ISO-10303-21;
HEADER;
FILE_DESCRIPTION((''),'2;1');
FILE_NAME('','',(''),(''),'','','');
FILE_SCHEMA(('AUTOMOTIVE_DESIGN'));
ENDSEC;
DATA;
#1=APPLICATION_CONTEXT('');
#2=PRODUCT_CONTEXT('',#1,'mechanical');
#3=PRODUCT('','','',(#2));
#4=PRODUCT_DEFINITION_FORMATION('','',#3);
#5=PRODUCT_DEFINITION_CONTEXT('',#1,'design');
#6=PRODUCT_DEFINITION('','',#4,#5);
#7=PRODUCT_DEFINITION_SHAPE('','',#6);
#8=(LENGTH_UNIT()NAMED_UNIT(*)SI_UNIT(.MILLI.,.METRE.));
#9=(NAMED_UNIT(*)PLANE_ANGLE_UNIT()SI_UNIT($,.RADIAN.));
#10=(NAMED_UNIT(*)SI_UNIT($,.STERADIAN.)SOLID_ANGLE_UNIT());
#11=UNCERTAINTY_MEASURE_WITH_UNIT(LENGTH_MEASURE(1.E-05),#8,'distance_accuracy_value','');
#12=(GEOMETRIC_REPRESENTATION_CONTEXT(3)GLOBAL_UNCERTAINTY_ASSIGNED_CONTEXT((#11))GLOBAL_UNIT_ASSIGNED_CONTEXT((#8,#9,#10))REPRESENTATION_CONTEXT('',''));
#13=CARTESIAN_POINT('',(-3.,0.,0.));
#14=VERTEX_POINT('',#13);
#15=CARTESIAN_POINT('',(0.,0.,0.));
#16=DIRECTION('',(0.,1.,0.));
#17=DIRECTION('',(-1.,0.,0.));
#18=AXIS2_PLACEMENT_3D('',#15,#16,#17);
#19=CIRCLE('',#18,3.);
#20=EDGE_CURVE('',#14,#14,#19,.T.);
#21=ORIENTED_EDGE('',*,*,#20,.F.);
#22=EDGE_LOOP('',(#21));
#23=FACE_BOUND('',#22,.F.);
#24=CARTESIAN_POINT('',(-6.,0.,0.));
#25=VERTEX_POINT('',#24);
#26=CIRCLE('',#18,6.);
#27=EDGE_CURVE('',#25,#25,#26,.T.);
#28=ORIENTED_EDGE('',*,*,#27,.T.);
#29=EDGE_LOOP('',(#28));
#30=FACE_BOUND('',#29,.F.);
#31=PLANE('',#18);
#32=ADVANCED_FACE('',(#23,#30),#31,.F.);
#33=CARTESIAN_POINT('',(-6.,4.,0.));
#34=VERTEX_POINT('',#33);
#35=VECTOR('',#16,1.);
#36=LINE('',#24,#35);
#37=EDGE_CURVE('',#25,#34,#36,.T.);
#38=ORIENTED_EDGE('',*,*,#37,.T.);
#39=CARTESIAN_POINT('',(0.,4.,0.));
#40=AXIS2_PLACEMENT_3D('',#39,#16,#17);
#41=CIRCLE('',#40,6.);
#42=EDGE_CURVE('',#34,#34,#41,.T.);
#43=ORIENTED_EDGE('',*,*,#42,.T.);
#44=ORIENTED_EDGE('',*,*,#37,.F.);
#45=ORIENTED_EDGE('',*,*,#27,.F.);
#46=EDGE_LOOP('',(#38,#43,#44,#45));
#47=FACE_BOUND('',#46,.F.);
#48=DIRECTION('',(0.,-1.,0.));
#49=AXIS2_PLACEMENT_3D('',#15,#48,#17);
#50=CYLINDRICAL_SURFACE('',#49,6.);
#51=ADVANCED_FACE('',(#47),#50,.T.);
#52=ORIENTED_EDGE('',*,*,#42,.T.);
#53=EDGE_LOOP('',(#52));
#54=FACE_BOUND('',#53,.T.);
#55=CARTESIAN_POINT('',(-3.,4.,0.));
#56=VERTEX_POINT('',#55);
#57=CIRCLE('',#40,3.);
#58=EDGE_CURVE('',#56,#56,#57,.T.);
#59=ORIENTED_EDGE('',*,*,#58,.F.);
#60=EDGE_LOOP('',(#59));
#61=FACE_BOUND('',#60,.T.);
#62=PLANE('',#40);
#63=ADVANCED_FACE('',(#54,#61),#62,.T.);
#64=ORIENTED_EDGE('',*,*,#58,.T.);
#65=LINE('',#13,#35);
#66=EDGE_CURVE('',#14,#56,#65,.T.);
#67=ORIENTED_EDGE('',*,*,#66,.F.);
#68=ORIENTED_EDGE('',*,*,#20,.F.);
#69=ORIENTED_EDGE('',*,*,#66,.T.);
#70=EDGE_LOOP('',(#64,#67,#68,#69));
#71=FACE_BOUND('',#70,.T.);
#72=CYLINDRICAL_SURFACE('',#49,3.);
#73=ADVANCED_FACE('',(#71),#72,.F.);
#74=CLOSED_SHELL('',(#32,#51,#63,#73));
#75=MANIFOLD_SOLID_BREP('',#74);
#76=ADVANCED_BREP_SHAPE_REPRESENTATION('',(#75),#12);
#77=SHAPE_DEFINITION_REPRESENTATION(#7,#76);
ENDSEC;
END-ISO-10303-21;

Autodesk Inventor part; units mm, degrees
ref_plane "YZ Plane" through (0, 0, 0) normal (1, 0, 0) x (0, 1, 0)
ref_plane "XZ Plane" through (0, 0, 0) normal (0, 1, 0) x (-1, 0, 0)
ref_plane "XY Plane" through (0, 0, 0) normal (0, 0, 1) x (1, 0, 0)
sketch "Boceto1" plane through (0, 0, 0) normal (0, 1, 0) x (-1, 0, 0)
  circle A0 centre (0, 0) radius 6
  circle A1 centre (0, 0) radius 3
  dimension "d0" = 12
  dimension "d1" = 6
extrude "Extrusión1" add sketch "Boceto1" along normal blind 4
properties part number "MR126ZZ"
